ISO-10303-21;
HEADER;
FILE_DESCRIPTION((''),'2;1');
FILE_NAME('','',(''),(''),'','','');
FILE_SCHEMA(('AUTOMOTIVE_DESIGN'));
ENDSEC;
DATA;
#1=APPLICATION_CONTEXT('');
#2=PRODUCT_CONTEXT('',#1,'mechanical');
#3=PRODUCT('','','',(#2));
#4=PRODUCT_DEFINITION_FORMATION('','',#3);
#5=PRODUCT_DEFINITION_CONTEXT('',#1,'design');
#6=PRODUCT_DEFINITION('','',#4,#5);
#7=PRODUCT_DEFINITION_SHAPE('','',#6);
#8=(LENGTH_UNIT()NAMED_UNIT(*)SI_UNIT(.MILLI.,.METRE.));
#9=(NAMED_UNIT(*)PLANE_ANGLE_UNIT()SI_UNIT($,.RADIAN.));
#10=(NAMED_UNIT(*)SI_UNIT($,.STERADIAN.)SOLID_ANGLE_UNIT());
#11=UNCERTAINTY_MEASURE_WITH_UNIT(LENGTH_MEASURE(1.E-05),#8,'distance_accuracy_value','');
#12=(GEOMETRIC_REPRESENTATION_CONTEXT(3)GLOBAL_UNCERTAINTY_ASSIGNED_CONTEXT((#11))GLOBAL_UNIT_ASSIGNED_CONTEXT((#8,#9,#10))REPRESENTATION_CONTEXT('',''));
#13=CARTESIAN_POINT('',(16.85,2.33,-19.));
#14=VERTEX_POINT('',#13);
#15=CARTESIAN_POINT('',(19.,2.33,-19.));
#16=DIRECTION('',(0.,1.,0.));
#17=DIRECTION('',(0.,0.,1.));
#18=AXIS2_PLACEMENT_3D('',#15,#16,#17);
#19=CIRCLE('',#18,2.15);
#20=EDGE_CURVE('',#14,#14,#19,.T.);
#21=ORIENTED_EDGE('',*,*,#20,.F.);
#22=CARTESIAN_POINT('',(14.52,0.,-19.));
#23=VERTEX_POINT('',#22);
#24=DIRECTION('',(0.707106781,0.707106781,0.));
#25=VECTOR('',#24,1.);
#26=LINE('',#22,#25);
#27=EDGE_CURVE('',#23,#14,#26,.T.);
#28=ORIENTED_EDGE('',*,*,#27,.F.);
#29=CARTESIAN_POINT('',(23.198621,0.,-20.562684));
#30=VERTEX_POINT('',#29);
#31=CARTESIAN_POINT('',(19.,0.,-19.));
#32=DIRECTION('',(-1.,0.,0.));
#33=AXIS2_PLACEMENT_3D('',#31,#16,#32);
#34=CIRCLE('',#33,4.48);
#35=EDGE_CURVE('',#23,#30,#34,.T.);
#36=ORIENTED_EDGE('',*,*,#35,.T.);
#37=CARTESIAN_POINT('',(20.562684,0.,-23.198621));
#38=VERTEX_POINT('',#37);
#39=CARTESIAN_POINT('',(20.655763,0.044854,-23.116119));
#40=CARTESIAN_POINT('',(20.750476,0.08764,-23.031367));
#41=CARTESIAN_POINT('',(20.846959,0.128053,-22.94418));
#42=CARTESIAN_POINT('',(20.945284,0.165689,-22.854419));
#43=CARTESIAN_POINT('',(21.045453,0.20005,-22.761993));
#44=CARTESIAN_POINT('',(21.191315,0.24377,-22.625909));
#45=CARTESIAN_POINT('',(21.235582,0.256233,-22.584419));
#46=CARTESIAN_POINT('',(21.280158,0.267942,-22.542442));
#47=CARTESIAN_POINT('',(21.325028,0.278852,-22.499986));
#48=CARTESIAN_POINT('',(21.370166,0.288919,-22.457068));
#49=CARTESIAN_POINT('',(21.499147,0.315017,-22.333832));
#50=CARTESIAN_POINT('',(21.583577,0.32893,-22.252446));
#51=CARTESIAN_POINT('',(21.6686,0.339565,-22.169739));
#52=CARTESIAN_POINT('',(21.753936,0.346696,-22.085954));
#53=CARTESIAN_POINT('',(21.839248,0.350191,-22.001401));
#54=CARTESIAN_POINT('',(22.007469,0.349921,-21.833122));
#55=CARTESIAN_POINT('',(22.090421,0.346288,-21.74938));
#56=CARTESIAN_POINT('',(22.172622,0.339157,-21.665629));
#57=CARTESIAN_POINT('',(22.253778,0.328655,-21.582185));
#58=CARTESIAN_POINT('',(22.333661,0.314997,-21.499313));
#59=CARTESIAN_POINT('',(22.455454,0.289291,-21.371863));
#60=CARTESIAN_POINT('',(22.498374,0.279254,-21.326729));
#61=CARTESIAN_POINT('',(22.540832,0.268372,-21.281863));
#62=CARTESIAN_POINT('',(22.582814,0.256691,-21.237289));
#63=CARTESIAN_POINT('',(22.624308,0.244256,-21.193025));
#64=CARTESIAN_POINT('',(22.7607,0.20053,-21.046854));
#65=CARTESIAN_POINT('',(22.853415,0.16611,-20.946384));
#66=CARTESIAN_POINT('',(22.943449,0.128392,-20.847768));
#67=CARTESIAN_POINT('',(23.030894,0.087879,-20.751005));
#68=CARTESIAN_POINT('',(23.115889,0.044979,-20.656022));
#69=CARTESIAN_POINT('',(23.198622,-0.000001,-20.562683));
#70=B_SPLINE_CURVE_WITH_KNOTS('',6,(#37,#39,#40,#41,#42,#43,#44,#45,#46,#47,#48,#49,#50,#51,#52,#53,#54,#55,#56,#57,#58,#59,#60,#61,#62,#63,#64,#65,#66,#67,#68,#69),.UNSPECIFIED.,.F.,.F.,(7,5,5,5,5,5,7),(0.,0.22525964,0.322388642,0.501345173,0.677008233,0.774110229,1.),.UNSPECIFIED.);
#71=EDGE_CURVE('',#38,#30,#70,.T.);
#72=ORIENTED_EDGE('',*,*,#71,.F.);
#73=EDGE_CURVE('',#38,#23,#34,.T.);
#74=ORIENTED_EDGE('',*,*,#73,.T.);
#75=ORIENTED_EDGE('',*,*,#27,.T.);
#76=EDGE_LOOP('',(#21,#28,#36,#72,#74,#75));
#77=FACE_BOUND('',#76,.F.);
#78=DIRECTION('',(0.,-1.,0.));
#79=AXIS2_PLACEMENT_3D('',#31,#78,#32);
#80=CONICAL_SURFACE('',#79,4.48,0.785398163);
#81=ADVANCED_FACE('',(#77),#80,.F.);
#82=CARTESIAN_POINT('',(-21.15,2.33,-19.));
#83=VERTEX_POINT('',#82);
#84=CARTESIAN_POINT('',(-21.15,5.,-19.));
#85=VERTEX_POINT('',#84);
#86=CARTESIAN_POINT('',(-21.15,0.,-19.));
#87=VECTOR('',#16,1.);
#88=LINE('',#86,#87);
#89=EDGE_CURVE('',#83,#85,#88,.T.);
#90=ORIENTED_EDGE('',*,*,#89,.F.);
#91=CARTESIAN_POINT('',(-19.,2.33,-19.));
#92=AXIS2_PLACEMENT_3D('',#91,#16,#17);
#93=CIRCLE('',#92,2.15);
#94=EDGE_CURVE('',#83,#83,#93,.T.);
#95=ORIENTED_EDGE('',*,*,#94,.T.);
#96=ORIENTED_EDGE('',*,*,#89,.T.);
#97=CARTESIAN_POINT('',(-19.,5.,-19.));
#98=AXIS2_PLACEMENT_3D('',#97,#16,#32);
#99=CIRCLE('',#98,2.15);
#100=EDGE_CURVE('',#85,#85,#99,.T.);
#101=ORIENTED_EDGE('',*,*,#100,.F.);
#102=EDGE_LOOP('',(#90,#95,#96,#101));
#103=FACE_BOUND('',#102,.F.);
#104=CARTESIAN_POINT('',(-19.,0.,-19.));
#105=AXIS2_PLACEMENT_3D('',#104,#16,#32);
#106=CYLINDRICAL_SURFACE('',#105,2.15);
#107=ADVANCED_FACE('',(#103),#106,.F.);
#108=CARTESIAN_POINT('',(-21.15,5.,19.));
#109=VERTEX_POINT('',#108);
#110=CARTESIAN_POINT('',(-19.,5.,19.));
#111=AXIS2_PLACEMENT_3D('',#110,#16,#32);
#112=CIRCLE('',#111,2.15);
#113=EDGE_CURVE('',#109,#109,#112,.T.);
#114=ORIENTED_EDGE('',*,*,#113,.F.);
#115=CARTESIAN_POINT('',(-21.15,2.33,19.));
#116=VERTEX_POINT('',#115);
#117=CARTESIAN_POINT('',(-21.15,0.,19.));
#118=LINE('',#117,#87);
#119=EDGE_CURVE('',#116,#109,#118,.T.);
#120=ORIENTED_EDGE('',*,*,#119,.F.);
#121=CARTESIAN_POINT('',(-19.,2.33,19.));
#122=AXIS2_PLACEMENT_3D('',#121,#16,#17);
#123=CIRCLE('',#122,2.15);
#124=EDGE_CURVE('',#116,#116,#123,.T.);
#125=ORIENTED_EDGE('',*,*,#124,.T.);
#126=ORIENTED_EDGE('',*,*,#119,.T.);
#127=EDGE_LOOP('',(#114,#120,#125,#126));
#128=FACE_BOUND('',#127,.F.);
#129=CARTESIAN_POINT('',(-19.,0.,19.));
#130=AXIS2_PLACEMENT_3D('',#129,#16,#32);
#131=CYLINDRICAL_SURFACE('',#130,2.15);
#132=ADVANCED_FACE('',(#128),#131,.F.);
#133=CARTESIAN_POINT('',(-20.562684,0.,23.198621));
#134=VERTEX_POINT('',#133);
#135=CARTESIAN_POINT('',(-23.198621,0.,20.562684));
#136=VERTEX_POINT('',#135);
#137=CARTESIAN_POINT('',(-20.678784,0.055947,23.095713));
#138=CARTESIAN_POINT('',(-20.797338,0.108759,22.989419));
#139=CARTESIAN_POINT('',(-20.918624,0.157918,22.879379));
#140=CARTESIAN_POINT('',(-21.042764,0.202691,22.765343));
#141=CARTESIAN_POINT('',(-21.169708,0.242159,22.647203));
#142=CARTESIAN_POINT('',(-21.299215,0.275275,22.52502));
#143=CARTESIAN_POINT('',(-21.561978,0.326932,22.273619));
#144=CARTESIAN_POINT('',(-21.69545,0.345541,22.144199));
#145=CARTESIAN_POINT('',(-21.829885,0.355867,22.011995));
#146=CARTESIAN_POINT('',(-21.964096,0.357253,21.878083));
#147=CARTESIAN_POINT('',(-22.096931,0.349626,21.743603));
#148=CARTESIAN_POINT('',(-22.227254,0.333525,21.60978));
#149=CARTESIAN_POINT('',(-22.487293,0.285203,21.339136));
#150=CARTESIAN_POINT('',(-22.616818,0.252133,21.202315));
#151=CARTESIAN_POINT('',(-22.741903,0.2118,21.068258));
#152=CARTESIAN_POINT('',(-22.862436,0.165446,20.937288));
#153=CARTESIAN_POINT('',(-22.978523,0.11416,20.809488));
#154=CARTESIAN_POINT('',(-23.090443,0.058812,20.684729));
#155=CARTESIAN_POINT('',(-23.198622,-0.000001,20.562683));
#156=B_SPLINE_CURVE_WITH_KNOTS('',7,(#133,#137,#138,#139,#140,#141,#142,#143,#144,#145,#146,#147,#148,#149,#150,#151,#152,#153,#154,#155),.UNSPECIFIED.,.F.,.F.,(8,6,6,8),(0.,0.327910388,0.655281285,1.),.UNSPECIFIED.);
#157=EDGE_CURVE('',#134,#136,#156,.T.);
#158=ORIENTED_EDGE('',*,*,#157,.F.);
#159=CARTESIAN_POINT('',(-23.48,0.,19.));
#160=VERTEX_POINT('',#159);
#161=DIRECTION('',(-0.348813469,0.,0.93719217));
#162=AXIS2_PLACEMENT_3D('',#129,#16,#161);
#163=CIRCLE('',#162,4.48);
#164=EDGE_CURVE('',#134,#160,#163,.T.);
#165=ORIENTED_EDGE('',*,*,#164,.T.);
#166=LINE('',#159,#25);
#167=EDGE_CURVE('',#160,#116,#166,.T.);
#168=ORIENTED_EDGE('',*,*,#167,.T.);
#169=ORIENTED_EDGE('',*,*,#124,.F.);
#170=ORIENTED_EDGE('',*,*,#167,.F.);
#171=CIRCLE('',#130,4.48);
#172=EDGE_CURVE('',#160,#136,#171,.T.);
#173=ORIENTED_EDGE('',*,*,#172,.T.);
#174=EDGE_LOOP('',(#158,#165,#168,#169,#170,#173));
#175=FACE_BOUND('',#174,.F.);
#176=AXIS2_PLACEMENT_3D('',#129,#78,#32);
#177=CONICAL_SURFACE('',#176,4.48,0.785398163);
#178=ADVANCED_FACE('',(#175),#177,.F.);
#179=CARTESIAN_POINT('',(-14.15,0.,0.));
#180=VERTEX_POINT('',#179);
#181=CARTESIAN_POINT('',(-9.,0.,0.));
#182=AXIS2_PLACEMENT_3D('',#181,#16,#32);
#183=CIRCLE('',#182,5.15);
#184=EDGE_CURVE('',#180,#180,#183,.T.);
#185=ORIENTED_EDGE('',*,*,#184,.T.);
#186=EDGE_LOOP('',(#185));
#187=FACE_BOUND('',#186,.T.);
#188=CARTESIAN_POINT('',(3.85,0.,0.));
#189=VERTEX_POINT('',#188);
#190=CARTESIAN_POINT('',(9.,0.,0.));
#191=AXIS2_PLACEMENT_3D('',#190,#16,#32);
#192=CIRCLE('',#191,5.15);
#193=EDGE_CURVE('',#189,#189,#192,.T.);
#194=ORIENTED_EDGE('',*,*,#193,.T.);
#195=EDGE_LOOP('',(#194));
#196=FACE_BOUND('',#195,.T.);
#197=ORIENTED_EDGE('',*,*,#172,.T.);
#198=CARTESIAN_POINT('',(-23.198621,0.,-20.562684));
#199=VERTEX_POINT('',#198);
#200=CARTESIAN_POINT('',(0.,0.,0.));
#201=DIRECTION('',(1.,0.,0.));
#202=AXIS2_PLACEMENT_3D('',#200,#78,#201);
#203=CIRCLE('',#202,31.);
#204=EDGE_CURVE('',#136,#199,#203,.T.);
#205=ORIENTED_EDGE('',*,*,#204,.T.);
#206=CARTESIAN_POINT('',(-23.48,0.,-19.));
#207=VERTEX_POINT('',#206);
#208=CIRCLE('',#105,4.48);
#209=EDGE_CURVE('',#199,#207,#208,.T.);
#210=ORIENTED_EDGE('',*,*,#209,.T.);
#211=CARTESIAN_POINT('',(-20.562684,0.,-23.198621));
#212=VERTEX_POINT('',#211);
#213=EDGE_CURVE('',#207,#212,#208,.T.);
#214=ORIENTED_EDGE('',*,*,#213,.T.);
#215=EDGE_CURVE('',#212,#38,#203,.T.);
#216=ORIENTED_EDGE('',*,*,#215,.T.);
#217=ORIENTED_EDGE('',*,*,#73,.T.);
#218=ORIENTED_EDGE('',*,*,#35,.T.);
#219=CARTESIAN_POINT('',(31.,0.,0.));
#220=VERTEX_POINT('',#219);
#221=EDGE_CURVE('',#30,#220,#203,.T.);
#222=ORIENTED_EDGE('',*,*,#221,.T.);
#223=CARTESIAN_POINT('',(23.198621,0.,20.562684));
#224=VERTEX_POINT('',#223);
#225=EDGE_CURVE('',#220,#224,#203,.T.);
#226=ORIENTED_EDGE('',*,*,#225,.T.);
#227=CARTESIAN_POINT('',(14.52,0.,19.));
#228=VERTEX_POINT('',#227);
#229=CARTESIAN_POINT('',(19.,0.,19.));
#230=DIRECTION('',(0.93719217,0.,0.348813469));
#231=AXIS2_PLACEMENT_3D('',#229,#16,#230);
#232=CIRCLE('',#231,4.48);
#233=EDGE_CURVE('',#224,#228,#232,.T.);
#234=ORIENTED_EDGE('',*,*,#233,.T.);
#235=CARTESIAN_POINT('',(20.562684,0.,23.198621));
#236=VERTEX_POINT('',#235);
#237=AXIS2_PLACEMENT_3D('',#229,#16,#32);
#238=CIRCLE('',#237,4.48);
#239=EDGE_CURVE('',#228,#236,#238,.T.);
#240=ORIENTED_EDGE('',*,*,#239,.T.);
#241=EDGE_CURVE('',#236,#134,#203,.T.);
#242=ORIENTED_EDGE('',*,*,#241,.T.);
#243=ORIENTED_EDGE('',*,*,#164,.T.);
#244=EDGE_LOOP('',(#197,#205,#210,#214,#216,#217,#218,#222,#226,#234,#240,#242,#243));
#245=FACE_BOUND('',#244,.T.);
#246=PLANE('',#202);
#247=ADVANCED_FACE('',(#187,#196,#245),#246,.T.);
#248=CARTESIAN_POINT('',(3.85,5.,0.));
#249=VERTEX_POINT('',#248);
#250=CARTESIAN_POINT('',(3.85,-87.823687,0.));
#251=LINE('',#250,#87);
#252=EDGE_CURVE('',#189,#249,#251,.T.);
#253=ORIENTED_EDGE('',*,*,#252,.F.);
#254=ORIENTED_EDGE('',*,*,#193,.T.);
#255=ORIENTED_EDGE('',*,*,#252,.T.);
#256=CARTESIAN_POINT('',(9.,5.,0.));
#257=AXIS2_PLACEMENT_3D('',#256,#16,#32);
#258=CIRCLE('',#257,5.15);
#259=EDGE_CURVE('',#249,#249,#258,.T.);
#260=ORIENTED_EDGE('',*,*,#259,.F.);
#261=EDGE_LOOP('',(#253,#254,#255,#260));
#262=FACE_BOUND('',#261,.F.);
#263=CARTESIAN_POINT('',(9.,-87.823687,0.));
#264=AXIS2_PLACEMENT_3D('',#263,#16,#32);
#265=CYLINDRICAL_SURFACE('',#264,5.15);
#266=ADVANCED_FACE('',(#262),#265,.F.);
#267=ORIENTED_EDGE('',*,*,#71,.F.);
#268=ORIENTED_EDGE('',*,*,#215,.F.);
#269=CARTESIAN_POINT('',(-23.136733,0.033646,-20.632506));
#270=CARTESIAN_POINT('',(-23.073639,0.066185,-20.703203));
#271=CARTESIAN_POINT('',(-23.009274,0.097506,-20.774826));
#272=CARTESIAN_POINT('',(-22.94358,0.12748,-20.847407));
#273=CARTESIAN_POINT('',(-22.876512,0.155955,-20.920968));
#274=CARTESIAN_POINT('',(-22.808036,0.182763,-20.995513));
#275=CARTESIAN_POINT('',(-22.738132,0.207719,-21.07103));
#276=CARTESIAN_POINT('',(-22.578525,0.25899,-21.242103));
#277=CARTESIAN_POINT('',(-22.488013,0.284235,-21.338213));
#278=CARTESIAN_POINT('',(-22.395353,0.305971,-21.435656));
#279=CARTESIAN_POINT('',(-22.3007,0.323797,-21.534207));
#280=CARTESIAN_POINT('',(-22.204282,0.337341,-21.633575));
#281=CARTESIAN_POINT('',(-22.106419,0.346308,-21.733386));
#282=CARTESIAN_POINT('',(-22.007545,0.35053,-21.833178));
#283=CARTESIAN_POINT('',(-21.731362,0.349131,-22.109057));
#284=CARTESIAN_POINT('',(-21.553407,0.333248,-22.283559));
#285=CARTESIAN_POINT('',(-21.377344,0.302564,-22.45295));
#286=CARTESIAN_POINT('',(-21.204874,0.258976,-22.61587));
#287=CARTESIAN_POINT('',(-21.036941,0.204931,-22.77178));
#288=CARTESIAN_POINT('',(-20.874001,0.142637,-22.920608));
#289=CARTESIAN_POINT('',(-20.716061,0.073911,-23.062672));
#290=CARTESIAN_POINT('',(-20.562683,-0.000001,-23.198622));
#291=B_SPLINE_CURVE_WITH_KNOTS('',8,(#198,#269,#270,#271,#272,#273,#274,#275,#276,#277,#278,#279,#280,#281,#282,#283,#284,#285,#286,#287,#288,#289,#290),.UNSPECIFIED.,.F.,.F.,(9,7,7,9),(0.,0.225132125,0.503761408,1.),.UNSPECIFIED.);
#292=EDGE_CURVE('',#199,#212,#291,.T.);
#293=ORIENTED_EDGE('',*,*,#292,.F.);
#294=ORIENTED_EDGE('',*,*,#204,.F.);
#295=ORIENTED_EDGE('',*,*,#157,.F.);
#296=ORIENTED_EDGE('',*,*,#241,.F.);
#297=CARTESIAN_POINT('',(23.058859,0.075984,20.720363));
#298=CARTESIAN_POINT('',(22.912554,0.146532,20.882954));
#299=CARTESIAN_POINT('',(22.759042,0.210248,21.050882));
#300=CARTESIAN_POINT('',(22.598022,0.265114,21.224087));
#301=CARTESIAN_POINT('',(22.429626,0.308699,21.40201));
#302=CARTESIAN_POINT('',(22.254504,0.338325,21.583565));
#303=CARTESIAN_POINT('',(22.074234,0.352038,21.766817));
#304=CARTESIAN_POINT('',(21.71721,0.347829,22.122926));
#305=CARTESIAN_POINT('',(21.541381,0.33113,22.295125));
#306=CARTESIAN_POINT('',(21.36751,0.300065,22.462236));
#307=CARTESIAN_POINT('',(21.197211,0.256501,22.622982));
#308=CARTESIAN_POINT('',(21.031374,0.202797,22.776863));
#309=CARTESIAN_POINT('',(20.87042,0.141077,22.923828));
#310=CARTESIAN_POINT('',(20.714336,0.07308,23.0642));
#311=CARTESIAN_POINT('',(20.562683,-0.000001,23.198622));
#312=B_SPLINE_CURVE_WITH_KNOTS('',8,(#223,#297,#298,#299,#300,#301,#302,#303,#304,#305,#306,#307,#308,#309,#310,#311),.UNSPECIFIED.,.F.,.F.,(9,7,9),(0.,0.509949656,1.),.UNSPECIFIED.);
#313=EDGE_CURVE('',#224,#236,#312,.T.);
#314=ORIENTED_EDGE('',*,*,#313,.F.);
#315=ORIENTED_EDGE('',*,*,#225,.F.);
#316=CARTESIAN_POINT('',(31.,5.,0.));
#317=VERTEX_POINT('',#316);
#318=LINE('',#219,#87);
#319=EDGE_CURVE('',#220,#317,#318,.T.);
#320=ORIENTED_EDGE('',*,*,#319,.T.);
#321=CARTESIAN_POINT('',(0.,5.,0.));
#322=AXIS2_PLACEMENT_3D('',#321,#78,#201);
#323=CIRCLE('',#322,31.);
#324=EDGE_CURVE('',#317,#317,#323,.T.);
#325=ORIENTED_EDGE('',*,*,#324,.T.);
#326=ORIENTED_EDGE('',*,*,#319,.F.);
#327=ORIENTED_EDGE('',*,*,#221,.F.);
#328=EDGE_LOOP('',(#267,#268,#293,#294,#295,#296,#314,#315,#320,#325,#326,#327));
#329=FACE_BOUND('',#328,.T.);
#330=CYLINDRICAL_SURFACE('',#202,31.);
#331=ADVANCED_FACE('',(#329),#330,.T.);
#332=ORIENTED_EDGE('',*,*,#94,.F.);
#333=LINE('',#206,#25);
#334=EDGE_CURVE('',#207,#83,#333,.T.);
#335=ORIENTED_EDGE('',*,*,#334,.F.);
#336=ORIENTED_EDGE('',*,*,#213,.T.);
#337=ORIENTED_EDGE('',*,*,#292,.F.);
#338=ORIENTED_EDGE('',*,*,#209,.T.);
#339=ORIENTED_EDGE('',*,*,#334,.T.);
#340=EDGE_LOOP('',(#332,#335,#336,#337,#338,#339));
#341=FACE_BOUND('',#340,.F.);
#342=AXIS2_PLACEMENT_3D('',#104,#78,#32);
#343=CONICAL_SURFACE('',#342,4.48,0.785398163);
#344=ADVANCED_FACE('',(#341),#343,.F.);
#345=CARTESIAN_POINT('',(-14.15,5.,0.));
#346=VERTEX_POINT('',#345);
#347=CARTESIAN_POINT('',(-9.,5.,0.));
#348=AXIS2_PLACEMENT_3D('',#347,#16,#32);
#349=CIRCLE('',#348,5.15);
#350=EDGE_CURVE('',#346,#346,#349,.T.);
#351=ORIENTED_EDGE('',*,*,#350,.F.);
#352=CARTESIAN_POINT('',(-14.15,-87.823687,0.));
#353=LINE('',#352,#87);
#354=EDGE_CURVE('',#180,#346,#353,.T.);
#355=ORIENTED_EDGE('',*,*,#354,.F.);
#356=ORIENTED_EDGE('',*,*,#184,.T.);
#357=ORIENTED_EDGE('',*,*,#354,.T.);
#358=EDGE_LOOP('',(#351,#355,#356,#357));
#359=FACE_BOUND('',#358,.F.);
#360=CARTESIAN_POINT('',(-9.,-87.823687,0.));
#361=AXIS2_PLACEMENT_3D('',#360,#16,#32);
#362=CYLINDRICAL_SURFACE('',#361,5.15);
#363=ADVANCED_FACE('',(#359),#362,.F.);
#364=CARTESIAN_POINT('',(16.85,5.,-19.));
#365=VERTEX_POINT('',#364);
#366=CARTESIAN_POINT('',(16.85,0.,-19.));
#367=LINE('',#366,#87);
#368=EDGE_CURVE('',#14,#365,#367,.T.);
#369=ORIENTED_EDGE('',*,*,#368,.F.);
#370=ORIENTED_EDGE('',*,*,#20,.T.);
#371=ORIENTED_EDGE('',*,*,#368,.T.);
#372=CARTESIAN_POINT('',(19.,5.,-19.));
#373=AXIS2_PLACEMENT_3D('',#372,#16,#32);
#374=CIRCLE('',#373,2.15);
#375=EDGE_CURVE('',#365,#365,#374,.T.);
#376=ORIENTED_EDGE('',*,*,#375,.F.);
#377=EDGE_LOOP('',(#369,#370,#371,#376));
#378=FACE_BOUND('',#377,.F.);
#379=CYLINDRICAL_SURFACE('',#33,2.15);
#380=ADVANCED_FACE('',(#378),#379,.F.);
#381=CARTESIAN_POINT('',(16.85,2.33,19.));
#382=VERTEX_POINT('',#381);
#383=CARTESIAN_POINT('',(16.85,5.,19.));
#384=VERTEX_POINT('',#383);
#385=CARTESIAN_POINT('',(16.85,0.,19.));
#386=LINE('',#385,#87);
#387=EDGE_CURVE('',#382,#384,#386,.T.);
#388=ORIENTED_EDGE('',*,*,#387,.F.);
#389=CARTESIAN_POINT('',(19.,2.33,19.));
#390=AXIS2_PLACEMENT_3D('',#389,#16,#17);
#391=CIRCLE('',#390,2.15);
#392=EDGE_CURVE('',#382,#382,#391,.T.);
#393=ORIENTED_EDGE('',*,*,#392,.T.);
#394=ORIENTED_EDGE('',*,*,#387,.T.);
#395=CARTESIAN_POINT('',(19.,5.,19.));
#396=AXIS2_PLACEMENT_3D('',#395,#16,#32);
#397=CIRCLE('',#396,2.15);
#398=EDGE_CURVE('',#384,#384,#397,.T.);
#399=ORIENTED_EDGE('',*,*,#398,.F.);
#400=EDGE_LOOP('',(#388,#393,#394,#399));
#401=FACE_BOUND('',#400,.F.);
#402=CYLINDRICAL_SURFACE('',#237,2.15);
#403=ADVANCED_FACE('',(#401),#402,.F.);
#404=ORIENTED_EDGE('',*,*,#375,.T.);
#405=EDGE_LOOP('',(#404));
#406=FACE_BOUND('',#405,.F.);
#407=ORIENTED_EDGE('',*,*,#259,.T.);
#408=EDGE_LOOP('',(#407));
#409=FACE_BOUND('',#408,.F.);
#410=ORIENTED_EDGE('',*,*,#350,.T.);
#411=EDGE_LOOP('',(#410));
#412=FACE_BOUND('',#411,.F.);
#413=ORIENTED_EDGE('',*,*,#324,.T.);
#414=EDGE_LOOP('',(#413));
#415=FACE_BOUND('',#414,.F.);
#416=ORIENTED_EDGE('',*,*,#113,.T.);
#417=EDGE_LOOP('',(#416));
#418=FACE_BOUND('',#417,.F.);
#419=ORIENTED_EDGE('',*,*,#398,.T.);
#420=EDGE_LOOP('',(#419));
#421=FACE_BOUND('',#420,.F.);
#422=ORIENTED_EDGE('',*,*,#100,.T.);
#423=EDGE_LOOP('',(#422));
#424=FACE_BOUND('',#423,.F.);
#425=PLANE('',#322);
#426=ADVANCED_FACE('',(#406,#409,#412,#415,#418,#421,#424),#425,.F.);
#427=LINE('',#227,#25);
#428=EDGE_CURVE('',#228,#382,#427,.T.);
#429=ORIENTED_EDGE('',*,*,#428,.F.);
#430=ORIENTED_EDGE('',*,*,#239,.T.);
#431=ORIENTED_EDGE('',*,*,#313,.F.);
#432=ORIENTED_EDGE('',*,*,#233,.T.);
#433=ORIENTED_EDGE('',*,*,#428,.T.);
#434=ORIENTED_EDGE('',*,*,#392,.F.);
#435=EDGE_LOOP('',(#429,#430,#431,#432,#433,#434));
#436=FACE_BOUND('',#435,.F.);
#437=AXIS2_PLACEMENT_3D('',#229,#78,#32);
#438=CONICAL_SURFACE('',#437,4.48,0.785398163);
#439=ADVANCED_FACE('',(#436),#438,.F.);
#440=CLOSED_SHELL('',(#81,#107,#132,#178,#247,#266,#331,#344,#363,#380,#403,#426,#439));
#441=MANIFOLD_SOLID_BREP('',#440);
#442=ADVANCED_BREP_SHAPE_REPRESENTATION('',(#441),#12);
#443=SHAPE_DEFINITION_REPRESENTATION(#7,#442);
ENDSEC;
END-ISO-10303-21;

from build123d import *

# Parameters (mm, degrees)
F0_R           = 31
F1_DEPTH       = 5
F2_D           = 10.3
F3_D           = 4.3
F3_CSINK_D     = 8.96
F3_CSINK_ANGLE = 90


with BuildPart() as f1:
    # F0 (on Front) → F1 (new body)
    with BuildSketch(Plane.XZ):
        Circle(F0_R)
    extrude(amount=-F1_DEPTH)

    # F2 (through all)
    with Locations(Plane.XZ):
        with Locations((-9, 0), (9, 0)):
            Hole(F2_D / 2)

    # F3 (through all)
    with Locations(Plane.XZ):
        with Locations((-19, 19), (19, 19), (19, -19), (-19, -19)):
            CounterSinkHole(F3_D / 2, F3_CSINK_D / 2, counter_sink_angle=F3_CSINK_ANGLE)


solid = f1.part
